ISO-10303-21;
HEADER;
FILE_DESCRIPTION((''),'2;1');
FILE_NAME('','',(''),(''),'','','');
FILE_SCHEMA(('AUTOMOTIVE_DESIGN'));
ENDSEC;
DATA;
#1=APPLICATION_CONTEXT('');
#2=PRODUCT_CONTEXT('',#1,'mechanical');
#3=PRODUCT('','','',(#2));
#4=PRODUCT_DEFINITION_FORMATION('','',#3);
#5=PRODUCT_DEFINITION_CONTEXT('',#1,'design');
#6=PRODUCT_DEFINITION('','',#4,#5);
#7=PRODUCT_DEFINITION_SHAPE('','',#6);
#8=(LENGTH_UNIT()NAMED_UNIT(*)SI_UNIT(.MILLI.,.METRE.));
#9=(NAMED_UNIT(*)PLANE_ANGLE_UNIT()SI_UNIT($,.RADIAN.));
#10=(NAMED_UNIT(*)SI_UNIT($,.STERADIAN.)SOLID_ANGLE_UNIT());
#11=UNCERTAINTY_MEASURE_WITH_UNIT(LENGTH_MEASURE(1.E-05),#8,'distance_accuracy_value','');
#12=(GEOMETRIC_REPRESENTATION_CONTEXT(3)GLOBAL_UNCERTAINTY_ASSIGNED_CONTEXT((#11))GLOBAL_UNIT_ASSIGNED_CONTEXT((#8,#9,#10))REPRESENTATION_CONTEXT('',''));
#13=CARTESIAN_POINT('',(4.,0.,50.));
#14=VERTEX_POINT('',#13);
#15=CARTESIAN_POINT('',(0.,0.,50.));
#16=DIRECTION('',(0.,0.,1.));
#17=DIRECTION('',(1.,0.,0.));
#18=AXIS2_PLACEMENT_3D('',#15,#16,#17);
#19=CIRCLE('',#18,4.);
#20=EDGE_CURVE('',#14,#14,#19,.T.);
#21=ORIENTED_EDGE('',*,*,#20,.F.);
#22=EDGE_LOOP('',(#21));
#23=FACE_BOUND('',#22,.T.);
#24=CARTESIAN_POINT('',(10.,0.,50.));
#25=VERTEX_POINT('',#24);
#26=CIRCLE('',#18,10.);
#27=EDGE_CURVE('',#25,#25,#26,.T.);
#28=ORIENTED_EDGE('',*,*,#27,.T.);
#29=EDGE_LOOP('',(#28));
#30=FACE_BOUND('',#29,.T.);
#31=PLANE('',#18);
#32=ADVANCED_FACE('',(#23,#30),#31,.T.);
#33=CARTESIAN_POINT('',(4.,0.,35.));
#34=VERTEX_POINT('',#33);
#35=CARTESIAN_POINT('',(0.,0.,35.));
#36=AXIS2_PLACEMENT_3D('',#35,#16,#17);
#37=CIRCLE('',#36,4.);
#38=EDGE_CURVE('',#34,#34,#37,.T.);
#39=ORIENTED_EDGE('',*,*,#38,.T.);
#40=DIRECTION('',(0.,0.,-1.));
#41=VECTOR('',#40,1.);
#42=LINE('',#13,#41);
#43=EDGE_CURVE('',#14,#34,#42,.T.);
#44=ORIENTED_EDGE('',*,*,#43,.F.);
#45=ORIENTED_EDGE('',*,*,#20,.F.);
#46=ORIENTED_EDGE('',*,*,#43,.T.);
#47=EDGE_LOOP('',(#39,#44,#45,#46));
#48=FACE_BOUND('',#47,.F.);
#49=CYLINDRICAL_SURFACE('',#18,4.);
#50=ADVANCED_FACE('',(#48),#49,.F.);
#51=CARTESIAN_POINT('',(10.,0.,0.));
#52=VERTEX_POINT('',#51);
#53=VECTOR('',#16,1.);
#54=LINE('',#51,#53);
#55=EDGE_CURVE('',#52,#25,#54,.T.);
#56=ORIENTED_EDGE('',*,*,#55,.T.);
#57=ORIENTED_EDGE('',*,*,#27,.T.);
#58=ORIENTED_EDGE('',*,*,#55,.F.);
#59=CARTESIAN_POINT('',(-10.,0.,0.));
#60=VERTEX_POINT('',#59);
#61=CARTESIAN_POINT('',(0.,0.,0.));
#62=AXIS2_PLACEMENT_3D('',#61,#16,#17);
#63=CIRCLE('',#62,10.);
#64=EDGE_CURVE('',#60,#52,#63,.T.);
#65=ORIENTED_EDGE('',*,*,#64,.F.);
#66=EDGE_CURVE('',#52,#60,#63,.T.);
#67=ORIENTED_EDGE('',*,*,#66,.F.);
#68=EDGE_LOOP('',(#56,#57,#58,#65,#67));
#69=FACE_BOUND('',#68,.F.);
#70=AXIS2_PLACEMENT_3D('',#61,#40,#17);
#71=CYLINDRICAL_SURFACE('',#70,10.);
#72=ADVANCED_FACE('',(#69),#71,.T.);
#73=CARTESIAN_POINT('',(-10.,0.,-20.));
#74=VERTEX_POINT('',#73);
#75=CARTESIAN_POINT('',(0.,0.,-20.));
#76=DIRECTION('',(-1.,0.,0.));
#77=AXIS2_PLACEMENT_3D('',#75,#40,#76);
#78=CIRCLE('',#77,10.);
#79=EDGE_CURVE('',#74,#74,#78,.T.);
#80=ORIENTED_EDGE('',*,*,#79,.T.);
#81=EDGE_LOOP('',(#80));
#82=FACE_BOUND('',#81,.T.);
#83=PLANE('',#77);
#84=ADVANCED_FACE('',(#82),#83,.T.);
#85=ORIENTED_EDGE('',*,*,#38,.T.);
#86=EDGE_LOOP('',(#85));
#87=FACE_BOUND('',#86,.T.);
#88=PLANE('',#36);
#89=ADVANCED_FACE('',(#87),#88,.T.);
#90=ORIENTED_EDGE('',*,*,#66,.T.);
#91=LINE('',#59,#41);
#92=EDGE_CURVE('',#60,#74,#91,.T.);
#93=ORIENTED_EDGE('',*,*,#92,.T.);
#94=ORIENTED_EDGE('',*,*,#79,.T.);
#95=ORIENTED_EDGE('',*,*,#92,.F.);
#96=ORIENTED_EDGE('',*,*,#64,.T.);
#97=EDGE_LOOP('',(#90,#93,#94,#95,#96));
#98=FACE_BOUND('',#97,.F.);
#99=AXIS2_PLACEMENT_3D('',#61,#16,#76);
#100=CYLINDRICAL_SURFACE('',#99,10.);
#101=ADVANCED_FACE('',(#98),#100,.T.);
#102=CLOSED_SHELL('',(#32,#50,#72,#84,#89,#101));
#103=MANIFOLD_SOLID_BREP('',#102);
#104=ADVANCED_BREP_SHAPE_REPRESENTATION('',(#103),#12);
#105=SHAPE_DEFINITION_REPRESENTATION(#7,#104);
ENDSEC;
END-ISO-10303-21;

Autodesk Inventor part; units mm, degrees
ref_plane "YZ Plane" through (0, 0, 0) normal (1, 0, 0) x (0, 1, 0)
ref_plane "XZ Plane" through (0, 0, 0) normal (0, 1, 0) x (-1, 0, 0)
ref_plane "XY Plane" through (0, 0, 0) normal (0, 0, 1) x (1, 0, 0)
sketch "Sketch1" plane through (0, 0, 0) normal (0, 0, 1) x (1, 0, 0)
  circle A0 centre (0, 0) radius 10
  dimension "d0" = 20
extrude "Extrusion1" add sketch "Sketch1" along normal blind 50
sketch "Sketch2" plane through (0, 0, 50) normal (0, 0, 1) x (1, 0, 0)
  circle A0 centre (0, 0) radius 4
  dimension "d3" = 8
extrude "Extrusion2" cut sketch "Sketch2" against normal blind 15
sketch "Sketch3" plane through (0, 0, 0) normal (0, 0, -1) x (-1, 0, 0)
  point P0 (0, 0)
sketch "Sketch4" plane through (0, 0, 0) normal (0, 0, -1) x (-1, 0, 0)
  circle A0 centre (0, 0) radius 10
extrude "Extrusion3" add sketch "Sketch4" along normal blind 20
properties part number "rollers"
